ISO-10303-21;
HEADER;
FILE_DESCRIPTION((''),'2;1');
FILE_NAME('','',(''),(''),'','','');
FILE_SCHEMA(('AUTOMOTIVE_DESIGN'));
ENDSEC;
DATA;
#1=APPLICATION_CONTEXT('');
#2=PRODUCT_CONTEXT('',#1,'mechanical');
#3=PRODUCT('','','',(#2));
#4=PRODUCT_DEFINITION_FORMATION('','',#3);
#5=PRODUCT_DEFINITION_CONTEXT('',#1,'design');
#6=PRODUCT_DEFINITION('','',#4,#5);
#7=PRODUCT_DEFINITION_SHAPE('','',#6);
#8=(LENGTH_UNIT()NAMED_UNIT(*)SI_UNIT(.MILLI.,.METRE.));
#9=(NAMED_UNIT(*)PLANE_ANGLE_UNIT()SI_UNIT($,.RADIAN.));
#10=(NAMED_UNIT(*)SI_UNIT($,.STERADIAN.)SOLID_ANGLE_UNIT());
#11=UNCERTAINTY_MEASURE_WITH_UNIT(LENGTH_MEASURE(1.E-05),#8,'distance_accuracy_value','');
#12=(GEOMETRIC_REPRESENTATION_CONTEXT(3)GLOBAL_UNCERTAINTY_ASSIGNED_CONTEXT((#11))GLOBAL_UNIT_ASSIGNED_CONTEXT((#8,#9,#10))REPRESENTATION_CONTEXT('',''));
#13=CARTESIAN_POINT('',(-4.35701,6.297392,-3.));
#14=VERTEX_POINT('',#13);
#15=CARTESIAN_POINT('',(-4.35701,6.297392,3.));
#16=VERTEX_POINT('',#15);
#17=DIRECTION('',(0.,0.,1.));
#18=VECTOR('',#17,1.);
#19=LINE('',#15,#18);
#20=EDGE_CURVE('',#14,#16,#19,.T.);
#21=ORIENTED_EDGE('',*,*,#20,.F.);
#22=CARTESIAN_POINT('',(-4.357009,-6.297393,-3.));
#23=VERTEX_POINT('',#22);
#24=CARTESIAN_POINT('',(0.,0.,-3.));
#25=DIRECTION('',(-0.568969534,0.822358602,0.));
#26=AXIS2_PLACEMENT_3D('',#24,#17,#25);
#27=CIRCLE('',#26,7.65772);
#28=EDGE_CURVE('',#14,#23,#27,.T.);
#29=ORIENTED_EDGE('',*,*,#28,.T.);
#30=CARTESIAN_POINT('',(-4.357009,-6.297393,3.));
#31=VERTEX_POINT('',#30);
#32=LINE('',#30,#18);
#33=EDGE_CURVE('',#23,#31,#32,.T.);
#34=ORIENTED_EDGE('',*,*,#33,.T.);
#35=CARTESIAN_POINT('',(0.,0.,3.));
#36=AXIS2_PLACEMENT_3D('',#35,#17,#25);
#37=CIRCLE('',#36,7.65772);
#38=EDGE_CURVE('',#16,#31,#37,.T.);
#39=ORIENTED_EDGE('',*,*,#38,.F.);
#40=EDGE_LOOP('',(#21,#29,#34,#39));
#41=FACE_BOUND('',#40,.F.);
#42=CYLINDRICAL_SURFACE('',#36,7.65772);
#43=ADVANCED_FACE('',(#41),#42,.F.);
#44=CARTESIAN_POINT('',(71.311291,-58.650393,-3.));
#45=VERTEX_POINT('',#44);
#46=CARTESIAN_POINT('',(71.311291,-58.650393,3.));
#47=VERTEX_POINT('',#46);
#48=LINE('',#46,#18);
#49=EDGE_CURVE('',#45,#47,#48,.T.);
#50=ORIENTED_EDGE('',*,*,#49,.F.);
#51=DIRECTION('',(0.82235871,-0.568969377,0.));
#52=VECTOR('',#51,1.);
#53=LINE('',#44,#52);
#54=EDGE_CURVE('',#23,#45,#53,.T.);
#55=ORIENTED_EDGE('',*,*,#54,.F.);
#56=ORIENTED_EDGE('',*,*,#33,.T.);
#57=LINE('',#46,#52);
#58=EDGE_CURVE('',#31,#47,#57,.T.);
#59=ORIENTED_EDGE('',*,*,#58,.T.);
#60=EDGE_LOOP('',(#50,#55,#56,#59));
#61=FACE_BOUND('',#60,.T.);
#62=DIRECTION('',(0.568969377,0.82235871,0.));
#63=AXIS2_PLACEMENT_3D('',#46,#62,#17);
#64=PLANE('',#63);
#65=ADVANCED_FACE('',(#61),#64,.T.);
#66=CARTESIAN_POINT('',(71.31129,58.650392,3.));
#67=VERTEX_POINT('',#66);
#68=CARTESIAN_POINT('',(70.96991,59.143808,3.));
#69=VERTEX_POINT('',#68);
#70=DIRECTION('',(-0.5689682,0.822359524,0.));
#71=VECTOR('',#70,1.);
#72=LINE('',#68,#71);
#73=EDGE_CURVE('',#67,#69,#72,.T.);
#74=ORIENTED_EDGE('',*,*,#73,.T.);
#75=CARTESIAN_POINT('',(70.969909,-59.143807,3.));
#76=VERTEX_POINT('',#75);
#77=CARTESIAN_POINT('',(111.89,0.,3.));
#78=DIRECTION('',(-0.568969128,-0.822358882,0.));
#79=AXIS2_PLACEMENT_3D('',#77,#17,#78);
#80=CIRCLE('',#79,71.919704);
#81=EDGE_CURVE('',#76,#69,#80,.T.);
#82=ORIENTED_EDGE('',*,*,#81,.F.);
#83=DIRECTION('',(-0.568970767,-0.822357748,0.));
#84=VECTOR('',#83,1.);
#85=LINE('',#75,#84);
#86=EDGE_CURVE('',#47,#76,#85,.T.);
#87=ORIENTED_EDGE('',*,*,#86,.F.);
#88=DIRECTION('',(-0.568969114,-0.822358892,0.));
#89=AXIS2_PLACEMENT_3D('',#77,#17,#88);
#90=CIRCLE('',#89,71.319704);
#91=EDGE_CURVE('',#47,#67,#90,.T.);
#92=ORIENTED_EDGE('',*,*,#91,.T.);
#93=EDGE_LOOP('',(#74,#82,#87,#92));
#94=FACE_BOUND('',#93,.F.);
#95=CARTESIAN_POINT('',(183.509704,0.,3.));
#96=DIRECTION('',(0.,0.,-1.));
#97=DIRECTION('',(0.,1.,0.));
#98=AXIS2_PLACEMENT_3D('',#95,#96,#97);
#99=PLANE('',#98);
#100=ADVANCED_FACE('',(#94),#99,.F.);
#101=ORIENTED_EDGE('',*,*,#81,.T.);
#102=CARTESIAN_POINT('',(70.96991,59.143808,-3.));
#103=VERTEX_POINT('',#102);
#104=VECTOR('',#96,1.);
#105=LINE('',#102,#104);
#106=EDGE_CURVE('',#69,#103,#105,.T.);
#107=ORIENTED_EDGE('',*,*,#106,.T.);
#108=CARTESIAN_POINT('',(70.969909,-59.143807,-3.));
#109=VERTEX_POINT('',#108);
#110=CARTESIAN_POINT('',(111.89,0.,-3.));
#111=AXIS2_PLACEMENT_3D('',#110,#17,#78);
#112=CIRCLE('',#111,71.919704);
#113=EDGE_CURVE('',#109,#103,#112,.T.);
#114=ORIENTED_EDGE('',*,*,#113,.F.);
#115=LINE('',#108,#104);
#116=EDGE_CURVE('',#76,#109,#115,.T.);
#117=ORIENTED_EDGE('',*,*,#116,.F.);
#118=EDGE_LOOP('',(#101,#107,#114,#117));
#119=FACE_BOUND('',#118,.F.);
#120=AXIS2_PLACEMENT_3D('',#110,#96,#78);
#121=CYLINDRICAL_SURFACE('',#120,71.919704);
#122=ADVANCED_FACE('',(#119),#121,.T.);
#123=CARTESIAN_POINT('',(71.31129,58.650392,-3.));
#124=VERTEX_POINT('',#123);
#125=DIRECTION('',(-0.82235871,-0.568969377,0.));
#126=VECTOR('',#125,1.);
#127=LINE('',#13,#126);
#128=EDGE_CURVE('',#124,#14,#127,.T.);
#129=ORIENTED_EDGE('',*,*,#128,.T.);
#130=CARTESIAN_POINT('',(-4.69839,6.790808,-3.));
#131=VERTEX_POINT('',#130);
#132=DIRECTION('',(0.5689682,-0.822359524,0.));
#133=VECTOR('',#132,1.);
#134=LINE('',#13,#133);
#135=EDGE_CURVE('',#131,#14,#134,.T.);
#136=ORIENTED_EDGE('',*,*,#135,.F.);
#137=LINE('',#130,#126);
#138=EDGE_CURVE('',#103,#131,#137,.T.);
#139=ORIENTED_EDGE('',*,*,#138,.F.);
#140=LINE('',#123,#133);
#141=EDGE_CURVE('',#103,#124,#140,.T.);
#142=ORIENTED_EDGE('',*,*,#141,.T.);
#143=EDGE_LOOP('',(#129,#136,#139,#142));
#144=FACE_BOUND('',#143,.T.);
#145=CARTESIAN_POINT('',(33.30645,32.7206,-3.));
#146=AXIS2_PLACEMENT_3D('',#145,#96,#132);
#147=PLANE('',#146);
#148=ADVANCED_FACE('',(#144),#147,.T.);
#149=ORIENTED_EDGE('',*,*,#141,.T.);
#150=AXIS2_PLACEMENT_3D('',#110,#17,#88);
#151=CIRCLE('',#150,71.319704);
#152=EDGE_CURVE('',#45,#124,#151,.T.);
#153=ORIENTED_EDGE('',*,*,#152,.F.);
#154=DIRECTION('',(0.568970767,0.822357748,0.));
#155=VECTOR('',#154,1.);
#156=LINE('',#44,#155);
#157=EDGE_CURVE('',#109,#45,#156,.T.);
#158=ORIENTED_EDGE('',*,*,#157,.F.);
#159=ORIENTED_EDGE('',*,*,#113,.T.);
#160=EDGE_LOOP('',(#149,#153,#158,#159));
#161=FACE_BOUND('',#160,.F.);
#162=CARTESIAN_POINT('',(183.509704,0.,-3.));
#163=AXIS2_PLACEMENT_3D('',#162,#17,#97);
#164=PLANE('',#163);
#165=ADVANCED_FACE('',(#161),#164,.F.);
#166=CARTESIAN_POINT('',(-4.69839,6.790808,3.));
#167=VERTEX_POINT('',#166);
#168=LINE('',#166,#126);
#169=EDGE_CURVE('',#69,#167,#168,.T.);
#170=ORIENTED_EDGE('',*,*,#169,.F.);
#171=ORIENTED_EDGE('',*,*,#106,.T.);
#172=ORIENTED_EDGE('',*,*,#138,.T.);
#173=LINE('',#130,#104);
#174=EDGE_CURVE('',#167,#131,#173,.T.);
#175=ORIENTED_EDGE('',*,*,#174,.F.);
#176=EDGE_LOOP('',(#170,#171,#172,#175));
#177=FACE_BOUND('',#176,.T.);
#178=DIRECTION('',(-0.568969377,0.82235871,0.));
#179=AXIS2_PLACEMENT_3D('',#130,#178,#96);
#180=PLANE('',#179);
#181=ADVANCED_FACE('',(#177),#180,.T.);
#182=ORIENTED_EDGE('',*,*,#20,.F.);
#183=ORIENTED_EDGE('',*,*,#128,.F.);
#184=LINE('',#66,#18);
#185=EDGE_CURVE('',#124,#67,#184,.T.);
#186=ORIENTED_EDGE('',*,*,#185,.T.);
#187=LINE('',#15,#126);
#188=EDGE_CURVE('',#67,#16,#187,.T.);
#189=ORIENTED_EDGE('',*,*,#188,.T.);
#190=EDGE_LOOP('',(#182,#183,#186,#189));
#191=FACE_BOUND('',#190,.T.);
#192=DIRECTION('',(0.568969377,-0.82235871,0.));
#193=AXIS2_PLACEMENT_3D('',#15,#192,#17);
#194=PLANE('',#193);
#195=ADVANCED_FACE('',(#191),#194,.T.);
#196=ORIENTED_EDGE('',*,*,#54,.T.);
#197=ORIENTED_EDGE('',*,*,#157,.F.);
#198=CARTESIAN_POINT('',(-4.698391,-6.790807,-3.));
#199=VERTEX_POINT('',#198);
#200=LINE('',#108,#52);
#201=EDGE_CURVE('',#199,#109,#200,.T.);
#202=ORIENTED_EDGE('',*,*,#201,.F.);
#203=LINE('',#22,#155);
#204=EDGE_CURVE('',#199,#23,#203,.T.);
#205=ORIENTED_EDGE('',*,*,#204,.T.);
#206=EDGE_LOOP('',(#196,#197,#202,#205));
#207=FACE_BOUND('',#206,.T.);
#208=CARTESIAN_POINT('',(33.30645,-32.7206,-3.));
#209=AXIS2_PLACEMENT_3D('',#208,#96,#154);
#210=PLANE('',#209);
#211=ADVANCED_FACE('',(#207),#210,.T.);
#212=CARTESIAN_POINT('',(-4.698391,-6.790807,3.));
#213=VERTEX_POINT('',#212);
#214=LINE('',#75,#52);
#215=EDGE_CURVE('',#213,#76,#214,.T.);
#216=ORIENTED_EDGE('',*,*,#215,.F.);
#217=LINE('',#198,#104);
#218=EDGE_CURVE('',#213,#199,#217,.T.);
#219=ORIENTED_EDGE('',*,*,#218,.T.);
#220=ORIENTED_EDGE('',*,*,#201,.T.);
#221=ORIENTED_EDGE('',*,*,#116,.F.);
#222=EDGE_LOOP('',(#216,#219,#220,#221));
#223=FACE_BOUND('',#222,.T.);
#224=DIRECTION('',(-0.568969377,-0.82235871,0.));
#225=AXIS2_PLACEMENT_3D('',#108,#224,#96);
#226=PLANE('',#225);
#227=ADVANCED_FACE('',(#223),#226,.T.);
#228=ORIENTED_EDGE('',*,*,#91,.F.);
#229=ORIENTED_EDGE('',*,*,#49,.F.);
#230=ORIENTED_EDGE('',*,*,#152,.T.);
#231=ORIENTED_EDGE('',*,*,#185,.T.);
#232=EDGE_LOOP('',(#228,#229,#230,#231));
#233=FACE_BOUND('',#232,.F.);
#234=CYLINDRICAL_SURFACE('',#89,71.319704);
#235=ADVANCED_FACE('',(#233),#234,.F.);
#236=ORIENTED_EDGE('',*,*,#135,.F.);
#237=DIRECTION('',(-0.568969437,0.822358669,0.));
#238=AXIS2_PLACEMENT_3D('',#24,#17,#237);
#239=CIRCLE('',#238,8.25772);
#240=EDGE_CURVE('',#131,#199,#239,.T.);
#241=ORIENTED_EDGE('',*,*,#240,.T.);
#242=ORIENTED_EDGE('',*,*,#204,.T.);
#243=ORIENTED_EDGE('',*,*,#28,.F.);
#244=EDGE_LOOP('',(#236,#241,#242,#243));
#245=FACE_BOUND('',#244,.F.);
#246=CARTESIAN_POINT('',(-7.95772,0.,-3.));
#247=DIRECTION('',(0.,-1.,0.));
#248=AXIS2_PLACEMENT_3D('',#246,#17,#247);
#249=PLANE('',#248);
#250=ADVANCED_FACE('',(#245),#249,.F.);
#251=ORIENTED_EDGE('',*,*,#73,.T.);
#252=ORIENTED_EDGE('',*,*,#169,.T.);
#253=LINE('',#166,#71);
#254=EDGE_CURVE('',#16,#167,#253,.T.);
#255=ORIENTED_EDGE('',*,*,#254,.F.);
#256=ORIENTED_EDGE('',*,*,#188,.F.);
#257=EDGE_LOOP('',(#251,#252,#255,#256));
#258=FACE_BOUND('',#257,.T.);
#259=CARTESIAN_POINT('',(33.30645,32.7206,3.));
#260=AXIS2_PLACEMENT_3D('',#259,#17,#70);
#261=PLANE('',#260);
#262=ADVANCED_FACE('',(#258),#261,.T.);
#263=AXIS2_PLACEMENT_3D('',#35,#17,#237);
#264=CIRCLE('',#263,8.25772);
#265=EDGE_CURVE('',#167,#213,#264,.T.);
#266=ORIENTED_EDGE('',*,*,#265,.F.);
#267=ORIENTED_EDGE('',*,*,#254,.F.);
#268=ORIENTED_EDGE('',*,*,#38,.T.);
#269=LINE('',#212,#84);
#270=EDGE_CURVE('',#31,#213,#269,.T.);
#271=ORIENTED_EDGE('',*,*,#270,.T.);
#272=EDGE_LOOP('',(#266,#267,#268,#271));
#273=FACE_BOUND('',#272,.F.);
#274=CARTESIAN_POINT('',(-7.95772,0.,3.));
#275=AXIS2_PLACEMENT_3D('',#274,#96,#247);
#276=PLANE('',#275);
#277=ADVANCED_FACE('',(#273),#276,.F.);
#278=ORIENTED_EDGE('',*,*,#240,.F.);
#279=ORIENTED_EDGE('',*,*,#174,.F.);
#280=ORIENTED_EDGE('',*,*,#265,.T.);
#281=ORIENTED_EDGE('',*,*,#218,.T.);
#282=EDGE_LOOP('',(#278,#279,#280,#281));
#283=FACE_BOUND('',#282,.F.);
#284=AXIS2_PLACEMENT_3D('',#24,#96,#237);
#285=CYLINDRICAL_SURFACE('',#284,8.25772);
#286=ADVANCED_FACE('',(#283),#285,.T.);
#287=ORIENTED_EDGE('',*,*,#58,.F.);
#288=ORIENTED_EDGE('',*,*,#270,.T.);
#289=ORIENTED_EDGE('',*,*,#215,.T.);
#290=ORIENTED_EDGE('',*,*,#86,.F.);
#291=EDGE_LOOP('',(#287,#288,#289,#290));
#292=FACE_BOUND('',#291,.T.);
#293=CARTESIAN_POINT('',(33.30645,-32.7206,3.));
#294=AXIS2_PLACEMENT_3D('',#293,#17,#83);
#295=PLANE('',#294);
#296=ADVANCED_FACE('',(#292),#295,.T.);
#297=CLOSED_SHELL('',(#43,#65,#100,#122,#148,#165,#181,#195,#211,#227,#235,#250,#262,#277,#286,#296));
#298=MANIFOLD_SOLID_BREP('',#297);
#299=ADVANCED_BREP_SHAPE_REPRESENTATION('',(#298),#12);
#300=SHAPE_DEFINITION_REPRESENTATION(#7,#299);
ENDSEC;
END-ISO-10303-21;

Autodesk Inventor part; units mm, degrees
sketch "Sketch Path" plane through (0, 0, 0) normal (0, 0, 1) x (1, 0, 0)
  arc A0 (-4.5277, 6.5441) -> (-4.5277, -6.5441) centre (0, 0) ccw
  arc A1 (71.1406, -58.8971) -> (71.1406, 58.8971) centre (111.89, 0) ccw
  line L0 (71.1406, -58.8971) -> (-4.5277, -6.5441)
  line L1 (-4.5277, 6.5441) -> (71.1406, 58.8971)
ref_plane "Cross Section Plane" through (-4.5277, -6.5441, 0) normal (0.8224, -0.569, 0) x (0, 0, 1)
ref_plane "Work Plane2" through (0, 0, 0) normal (-1, 0, 0) x (0, 0, 1)
ref_plane "Work Plane3" through (111.89, 0, 0) normal (-0.8248, -0.5655, 0) x (0, 0, 1)
sketch "Cross Section" plane through (-4.5277, -6.5441, 0) normal (0.8224, -0.569, 0) x (0, 0, 1)
  line L0 (-3, 0.3) -> (3, 0.3)
  line L1 (3, 0.3) -> (3, -0.3)
  line L2 (3, -0.3) -> (-3, -0.3)
  line L3 (-3, -0.3) -> (-3, 0.3)
  line L4 (-3, 0) -> (3, 0) construction
  point P0 (0, 0)
  point P1 (0, 0)
  dimension "d0" = 6
  dimension "d4" = 0.3
  dimension "d5" = 0.3
sweep "Belt" add profiles "Cross Section" path "Sketch Path"
equation "\"d0\" = da_B"
equation "\"d4\" = da_a"
equation "\"d5\" = da_a2"
equation "\"da_B\" = 6"
equation "\"da_pb\" = 2.5"
equation "\"da_L\" = 511.09052"
equation "\"da_a\" = 0.3"
equation "\"da_S\" = 1.5"
equation "\"da_Beta\" = 20deg"
equation "\"da_Ht\" = 0.7"
equation "\"da_H\" = 1.3"
equation "\"da_a2\" = 0.3"
properties part number "Synchronous Belt" material "Rubber"
